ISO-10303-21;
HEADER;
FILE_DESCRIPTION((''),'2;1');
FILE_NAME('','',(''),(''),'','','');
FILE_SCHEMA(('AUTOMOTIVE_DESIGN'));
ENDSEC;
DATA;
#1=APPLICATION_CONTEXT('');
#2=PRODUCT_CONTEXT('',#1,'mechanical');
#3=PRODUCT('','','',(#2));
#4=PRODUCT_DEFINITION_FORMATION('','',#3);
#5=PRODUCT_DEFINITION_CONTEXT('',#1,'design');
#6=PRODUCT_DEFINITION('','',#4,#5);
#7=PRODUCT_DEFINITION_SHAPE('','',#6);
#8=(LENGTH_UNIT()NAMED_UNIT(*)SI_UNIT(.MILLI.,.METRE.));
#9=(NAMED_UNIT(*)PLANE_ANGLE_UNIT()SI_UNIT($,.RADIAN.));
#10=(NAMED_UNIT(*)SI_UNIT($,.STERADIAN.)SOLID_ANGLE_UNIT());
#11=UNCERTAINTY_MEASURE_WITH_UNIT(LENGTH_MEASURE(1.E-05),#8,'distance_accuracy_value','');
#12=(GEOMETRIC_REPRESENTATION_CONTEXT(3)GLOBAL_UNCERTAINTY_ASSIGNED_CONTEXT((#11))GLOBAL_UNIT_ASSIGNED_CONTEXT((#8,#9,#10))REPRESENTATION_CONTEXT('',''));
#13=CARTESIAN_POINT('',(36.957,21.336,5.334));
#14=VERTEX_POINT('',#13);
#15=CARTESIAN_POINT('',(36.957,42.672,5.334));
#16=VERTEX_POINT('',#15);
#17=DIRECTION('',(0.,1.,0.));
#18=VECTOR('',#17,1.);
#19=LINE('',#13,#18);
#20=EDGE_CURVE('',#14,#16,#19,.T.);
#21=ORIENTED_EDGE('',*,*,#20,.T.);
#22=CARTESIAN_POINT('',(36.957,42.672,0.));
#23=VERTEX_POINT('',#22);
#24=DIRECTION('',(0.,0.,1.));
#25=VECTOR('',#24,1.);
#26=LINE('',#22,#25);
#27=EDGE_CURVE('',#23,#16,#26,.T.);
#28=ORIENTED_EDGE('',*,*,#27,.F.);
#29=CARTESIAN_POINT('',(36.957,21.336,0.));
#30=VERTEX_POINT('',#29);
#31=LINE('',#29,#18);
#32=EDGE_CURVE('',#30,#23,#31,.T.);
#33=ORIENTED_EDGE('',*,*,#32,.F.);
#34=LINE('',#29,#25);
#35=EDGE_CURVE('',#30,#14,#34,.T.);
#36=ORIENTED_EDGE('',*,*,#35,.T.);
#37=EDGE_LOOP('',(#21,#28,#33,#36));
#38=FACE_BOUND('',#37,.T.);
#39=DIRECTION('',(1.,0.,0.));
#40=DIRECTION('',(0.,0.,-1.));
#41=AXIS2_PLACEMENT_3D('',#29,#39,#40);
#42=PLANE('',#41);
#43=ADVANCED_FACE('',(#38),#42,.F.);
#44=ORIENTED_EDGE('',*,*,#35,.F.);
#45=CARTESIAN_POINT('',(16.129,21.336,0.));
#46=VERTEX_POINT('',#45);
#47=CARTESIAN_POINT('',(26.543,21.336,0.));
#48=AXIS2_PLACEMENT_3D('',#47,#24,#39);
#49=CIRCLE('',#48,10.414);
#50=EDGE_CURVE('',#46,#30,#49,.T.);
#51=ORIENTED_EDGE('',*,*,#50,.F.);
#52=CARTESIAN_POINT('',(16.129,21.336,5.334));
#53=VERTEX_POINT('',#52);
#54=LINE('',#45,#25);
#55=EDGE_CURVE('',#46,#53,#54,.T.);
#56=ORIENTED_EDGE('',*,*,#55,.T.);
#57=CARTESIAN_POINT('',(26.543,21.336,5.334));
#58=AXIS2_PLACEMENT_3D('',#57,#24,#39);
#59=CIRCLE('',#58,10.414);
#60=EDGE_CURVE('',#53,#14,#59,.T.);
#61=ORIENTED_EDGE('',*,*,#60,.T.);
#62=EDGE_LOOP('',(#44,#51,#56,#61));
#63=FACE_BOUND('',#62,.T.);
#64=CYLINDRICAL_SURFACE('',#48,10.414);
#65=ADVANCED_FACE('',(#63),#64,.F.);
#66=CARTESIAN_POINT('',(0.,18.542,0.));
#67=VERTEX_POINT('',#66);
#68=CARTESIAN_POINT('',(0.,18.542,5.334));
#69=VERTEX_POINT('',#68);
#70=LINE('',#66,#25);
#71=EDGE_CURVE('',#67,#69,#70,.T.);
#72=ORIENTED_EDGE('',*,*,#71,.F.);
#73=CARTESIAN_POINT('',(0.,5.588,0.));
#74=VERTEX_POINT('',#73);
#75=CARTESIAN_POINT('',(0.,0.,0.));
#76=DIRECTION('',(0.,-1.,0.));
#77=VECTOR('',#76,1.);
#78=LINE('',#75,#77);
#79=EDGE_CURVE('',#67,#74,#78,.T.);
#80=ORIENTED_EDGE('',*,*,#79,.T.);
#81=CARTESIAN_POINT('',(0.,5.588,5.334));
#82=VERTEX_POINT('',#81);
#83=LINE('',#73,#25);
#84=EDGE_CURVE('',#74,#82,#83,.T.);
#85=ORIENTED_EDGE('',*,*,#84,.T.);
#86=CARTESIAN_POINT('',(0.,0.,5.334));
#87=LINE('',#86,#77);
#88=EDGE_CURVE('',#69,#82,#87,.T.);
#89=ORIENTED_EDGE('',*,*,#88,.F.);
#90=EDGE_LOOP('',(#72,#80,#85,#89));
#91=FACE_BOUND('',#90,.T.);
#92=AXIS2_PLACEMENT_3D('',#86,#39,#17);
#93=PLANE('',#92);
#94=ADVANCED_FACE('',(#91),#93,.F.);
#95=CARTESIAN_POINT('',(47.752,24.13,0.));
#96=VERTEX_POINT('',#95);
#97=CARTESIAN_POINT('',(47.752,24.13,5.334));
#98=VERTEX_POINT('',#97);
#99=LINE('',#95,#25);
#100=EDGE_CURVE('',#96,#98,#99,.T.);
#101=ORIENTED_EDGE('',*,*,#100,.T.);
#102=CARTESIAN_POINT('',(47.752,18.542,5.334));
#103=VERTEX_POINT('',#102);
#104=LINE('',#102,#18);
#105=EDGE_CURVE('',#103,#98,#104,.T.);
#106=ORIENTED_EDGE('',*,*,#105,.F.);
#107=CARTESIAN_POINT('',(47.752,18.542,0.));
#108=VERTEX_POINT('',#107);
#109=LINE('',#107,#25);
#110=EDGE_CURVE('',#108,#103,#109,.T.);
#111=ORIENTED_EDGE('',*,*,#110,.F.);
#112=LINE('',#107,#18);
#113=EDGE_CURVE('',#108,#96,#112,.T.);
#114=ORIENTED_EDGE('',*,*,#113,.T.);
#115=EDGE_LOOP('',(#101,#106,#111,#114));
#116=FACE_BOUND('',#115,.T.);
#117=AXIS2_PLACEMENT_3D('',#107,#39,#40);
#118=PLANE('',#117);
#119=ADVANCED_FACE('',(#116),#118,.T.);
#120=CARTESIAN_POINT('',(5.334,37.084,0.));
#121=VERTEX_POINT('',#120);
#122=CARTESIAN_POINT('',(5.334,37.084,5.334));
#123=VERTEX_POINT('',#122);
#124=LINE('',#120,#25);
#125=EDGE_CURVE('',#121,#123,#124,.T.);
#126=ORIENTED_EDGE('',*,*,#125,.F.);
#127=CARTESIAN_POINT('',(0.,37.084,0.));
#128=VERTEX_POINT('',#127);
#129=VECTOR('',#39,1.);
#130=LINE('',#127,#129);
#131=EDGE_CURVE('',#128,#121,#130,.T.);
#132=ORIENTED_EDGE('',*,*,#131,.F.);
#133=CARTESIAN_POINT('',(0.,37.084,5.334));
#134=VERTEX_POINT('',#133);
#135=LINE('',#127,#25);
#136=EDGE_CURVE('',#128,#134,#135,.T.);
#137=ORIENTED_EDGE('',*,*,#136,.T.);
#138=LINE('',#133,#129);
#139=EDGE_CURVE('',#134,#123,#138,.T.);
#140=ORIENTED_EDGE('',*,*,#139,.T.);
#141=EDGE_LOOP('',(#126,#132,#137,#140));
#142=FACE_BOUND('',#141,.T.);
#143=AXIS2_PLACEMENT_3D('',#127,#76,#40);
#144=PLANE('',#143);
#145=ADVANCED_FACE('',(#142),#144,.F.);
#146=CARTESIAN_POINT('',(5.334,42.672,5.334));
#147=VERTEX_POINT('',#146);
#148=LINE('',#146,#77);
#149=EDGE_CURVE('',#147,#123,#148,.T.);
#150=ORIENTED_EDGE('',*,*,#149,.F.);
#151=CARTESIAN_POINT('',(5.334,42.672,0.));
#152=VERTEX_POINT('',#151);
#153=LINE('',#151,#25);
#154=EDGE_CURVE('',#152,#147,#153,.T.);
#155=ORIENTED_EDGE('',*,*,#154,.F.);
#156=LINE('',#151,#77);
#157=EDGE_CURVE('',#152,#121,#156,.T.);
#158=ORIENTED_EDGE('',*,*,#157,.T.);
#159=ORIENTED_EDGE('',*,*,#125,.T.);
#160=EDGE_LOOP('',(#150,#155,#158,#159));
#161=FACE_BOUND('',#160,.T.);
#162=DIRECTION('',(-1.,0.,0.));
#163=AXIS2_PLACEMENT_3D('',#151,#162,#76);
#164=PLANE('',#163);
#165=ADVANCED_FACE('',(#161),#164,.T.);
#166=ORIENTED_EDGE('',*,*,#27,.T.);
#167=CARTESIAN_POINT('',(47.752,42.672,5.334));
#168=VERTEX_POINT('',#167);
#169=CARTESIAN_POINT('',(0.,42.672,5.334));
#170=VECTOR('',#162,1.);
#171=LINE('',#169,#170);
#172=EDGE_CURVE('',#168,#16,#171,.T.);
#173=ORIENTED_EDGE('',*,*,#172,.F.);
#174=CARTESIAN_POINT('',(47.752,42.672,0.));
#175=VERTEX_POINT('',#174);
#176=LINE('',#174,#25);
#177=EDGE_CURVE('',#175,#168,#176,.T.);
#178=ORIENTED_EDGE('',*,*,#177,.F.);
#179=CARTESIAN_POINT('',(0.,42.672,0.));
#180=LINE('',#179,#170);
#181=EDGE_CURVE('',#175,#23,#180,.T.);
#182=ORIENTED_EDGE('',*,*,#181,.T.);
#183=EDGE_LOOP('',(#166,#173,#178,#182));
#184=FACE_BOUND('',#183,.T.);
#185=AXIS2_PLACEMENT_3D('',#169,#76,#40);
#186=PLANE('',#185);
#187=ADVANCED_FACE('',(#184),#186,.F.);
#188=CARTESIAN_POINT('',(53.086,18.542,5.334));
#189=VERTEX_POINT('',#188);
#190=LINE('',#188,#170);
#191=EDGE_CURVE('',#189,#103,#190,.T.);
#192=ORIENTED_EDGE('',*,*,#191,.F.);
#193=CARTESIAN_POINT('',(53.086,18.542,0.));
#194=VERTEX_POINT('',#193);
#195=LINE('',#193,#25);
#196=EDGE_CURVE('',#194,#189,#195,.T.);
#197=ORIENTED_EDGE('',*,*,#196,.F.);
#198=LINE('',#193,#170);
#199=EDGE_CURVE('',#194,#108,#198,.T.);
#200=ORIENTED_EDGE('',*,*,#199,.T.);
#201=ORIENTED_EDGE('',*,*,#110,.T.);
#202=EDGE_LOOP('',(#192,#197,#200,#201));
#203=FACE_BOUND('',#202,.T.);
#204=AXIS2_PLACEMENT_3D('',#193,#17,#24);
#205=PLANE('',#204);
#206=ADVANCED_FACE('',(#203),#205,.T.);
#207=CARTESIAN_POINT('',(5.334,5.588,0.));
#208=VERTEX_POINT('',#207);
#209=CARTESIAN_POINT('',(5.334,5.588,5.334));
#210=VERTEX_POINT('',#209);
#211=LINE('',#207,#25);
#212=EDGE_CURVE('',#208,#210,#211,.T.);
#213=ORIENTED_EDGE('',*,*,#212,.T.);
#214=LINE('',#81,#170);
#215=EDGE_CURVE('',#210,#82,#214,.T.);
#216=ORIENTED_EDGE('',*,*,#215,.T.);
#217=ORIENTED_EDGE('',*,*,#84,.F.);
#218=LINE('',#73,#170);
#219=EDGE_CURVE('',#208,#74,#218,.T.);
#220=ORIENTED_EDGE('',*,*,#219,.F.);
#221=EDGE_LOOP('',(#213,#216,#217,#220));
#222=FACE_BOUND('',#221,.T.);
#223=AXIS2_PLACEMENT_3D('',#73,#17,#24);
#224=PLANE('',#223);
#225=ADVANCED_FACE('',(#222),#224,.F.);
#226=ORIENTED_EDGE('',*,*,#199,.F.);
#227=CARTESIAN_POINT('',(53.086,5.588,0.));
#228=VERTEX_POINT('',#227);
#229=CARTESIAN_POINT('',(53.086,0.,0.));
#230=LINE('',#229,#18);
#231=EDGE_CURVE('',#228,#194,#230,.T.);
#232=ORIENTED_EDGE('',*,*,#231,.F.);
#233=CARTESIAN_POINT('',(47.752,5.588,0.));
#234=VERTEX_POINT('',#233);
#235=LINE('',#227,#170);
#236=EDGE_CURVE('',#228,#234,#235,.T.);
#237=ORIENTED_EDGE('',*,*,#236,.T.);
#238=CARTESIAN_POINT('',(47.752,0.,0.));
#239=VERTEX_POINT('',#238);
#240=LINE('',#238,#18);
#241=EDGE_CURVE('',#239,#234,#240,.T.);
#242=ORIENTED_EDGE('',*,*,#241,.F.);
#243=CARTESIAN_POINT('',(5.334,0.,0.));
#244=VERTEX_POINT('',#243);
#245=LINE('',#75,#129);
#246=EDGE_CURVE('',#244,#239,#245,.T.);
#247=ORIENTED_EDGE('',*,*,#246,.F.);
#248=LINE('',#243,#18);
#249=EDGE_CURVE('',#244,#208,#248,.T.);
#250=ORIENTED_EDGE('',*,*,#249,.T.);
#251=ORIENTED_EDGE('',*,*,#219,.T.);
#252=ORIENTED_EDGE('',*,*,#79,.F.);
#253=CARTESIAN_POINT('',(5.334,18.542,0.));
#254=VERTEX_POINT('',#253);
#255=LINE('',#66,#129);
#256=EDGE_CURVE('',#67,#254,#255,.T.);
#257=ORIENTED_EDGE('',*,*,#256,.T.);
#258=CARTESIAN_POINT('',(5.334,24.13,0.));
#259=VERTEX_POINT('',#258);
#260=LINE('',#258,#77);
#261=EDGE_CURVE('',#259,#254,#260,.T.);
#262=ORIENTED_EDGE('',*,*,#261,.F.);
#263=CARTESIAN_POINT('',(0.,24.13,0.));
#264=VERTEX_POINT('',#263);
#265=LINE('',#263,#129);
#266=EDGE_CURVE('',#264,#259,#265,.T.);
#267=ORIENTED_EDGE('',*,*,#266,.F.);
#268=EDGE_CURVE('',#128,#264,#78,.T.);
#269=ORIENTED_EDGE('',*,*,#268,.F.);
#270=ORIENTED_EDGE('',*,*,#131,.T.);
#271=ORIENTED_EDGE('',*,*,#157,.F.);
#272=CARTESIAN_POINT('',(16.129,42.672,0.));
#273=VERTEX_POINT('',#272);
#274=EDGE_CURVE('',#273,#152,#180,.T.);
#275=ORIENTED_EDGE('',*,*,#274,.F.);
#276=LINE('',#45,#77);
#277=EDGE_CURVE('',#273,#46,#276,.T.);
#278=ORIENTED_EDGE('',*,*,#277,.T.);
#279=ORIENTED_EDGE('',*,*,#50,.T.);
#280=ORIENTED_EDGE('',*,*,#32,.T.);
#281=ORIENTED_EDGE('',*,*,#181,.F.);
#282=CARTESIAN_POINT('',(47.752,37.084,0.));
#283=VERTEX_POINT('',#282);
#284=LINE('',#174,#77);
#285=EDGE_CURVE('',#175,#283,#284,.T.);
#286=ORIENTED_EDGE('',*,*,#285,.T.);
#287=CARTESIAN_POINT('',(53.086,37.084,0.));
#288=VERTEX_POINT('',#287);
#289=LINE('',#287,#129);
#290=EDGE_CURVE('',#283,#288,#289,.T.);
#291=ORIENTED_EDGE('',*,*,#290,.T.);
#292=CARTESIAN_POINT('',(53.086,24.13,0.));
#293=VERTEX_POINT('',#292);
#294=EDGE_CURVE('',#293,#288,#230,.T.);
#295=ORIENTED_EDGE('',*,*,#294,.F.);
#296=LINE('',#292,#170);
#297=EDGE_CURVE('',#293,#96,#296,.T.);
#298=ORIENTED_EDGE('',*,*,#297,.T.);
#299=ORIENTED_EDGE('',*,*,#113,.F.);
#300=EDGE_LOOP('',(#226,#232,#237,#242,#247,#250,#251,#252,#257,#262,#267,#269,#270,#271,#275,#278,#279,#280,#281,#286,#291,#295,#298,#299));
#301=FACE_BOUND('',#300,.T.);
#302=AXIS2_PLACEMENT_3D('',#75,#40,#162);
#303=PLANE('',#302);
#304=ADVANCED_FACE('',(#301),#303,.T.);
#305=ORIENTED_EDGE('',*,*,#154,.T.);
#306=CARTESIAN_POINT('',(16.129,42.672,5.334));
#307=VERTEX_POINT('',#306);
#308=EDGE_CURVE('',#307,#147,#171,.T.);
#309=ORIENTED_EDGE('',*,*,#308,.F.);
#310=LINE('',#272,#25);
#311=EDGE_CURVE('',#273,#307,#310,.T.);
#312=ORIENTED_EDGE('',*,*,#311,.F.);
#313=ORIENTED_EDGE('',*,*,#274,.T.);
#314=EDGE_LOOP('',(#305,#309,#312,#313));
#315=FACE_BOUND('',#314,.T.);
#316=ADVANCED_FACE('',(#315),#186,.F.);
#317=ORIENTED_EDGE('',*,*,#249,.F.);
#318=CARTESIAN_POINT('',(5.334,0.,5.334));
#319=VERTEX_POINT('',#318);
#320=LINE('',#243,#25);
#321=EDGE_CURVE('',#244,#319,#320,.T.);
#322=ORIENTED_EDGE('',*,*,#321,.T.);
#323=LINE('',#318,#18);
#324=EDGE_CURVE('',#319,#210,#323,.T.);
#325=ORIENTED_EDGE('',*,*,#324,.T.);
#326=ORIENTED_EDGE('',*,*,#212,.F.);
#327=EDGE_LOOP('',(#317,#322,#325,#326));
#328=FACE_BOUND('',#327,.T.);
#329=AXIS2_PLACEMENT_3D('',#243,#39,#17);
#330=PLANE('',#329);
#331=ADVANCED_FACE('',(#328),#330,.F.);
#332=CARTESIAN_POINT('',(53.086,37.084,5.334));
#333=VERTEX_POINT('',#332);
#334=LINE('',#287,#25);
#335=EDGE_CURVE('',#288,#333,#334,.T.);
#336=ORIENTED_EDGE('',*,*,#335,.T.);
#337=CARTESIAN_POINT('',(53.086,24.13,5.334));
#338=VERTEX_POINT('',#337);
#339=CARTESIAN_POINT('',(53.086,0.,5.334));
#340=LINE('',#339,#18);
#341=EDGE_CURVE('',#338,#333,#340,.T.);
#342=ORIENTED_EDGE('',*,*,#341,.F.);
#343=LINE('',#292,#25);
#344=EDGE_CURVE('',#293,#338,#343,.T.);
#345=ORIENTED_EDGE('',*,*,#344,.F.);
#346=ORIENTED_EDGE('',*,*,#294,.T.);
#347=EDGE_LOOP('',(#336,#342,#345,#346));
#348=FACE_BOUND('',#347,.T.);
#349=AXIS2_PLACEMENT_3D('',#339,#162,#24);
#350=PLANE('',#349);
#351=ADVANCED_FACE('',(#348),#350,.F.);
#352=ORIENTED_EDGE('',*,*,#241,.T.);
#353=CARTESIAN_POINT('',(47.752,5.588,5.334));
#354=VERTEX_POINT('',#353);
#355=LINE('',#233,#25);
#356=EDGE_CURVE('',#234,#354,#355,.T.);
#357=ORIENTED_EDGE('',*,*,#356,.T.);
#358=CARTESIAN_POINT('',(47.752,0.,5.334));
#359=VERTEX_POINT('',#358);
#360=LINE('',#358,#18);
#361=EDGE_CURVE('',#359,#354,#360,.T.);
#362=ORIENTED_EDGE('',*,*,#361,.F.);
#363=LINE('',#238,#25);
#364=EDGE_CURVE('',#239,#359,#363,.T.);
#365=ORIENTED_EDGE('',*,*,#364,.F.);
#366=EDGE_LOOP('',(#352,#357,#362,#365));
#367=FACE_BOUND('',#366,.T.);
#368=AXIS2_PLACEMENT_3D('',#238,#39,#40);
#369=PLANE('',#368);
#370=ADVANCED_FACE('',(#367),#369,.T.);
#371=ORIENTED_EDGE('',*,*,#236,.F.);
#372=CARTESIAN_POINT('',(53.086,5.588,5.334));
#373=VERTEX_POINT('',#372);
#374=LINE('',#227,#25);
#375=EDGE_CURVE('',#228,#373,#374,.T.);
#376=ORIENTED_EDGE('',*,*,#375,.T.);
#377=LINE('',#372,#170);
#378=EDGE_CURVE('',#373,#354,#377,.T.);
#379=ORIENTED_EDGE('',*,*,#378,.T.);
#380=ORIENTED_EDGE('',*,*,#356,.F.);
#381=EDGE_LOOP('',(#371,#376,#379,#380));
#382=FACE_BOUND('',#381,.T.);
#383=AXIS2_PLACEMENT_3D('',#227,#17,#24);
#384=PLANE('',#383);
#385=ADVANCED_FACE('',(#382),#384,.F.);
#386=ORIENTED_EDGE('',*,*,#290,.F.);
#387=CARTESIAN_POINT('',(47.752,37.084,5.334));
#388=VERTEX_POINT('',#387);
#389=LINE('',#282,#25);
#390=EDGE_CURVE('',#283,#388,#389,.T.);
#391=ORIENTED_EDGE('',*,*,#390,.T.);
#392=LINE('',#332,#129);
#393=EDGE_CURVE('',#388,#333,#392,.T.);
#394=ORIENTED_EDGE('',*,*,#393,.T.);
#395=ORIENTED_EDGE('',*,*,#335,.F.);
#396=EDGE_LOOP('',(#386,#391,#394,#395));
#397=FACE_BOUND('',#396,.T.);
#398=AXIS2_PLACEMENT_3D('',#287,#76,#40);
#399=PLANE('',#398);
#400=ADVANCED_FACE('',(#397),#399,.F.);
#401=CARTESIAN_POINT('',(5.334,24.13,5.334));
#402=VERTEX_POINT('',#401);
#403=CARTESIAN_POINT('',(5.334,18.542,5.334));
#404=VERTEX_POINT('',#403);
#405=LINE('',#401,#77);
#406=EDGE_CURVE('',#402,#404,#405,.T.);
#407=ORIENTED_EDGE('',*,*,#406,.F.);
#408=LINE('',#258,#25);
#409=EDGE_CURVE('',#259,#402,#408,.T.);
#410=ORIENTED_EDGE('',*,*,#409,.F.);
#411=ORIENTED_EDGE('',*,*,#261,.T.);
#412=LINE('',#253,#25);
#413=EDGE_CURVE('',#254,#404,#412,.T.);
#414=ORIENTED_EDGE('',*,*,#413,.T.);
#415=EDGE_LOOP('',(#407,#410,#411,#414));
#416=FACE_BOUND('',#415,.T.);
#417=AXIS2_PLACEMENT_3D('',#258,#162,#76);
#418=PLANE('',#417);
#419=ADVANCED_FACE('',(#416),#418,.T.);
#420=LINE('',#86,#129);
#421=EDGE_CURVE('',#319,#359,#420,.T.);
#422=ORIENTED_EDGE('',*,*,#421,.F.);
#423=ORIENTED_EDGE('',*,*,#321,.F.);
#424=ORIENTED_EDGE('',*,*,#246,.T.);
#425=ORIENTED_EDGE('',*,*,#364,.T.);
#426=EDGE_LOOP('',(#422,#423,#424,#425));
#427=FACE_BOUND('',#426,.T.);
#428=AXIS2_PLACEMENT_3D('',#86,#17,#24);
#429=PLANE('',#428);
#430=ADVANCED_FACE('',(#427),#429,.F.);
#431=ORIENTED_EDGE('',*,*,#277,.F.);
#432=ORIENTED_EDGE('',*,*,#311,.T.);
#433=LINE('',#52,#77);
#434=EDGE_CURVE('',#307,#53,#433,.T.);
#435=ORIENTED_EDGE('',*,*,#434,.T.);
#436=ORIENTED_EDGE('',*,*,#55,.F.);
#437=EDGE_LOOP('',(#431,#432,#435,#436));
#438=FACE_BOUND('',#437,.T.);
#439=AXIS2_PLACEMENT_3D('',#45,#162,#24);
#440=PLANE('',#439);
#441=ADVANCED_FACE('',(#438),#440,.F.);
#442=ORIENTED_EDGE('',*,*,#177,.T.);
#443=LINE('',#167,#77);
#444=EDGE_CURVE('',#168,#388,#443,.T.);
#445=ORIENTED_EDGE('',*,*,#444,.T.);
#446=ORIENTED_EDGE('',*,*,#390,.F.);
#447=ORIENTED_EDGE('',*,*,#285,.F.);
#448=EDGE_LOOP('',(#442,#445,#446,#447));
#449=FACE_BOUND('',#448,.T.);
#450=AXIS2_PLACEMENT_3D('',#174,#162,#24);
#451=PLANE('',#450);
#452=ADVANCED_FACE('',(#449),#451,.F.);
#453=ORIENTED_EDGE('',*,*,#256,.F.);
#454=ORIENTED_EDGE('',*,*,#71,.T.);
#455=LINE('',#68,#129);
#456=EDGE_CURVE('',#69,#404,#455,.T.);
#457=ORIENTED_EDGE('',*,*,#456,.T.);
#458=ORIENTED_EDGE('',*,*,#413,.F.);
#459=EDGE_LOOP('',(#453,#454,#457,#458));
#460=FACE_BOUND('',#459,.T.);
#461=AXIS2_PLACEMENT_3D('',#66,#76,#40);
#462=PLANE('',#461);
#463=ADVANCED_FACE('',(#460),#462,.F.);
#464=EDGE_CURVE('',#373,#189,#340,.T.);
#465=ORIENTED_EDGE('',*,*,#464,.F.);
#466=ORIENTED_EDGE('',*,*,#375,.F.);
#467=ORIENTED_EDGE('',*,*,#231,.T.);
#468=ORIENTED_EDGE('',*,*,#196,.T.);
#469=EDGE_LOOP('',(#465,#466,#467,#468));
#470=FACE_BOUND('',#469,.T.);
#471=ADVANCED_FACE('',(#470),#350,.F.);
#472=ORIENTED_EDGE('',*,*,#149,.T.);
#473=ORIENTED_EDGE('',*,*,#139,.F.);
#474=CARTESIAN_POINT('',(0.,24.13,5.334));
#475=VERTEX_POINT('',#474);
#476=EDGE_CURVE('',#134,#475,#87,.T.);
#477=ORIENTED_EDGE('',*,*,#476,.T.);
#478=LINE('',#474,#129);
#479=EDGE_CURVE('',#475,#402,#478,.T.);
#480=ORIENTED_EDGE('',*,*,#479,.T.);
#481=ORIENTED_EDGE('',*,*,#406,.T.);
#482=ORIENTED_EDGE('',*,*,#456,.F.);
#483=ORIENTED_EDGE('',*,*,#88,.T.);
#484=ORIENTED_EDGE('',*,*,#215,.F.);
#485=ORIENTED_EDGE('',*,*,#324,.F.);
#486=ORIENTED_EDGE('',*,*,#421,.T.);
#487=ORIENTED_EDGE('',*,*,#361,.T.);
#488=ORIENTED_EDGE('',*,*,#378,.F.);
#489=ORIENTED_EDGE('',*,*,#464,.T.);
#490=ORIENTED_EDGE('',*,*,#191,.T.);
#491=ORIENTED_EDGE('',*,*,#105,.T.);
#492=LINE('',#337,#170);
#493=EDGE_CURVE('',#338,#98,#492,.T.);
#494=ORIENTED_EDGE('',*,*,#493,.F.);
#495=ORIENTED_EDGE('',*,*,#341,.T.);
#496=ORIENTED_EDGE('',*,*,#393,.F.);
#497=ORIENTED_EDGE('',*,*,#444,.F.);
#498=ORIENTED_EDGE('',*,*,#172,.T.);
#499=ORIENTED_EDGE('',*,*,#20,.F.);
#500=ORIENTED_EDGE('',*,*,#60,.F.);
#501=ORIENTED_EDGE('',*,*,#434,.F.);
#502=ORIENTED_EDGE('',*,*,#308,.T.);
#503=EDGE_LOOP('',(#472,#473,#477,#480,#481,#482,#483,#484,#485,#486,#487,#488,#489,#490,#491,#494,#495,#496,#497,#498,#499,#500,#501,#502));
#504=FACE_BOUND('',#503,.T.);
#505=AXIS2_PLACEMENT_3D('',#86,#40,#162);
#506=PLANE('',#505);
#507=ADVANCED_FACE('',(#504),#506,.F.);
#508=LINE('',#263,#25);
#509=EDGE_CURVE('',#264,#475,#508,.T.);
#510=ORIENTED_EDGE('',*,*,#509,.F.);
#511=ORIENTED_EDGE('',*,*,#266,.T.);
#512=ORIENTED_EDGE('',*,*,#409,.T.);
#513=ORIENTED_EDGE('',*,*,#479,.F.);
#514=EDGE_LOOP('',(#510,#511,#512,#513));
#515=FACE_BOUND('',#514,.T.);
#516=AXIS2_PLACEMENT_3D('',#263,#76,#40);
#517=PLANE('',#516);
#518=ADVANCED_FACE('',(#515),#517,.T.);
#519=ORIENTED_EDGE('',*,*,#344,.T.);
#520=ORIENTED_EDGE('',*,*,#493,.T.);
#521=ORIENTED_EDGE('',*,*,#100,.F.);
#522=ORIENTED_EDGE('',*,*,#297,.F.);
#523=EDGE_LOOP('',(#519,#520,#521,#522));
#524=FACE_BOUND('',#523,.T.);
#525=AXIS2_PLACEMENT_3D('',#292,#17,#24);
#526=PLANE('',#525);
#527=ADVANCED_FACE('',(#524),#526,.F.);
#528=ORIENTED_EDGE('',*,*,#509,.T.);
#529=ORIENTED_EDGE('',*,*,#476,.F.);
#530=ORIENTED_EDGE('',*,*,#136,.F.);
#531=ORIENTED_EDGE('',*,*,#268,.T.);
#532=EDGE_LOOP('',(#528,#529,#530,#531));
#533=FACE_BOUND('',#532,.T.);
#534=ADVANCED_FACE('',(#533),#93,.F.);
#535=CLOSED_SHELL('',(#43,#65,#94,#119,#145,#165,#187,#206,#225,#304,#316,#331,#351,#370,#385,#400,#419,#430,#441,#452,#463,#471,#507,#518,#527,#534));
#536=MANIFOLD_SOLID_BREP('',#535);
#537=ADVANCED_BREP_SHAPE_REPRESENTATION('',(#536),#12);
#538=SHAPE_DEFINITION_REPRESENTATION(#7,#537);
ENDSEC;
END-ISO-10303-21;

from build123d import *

# Parameters (mm, degrees)
SKETCH1_W           = 53.086
SKETCH1_H           = 42.672
BOSS_EXTRUDE1_DEPTH = 5.334
SKETCH2_W           = 5.334
SKETCH2_H           = 5.588
CUT_EXTRUDE1_DEPTH  = 6.334
SKETCH3_W           = 5.334
SKETCH3_H           = 5.588
CUT_EXTRUDE2_DEPTH  = 6.334
SKETCH4_W           = 5.334
SKETCH4_H           = 5.588
CUT_EXTRUDE3_DEPTH  = 6.334
SKETCH5_W           = 5.334
SKETCH5_H           = 5.588
CUT_EXTRUDE4_DEPTH  = 6.334
SKETCH6_W           = 5.334
SKETCH6_H           = 5.588
CUT_EXTRUDE5_DEPTH  = 6.334
CUT_EXTRUDE6_DEPTH  = 6.334


with BuildPart() as part:
    # Sketch1 → Boss-Extrude1 (new body)
    with BuildSketch(Plane.XY):
        with Locations((26.543, 21.336)):
            Rectangle(SKETCH1_W, SKETCH1_H)
    extrude(amount=BOSS_EXTRUDE1_DEPTH)

    # Sketch2 → Cut-Extrude1 (cut, through all)
    with BuildSketch(Plane.XY.offset(5.334)):
        with Locations((2.667, 39.878)):
            Rectangle(SKETCH2_W, SKETCH2_H)
    extrude(amount=-CUT_EXTRUDE1_DEPTH, mode=Mode.SUBTRACT)

    # Sketch3 → Cut-Extrude2 (cut, through all)
    with BuildSketch(Plane.XY.offset(5.334)):
        with Locations((2.667, 21.336)):
            Rectangle(SKETCH3_W, SKETCH3_H)
    extrude(amount=-CUT_EXTRUDE2_DEPTH, mode=Mode.SUBTRACT)

    # Sketch4 → Cut-Extrude3 (cut, through all)
    with BuildSketch(Plane.XY.offset(5.334)):
        with Locations((2.667, 2.794)):
            Rectangle(SKETCH4_W, SKETCH4_H)
    extrude(amount=-CUT_EXTRUDE3_DEPTH, mode=Mode.SUBTRACT)

    # Sketch5 → Cut-Extrude4 (cut, through all)
    with BuildSketch(Plane.XY.offset(5.334)):
        with Locations((50.419, 39.878)):
            Rectangle(SKETCH5_W, SKETCH5_H)
    extrude(amount=-CUT_EXTRUDE4_DEPTH, mode=Mode.SUBTRACT)

    # Sketch6 → Cut-Extrude5 (cut, through all)
    with BuildSketch(Plane.XY.offset(5.334)):
        with Locations((50.419, 21.336)):
            Rectangle(SKETCH6_W, SKETCH6_H)
        with Locations((50.419, 2.794)):
            Rectangle(SKETCH6_W, SKETCH6_H)
    extrude(amount=-CUT_EXTRUDE5_DEPTH, mode=Mode.SUBTRACT)

    # Sketch11 → Cut-Extrude6 (cut, through all)
    with BuildSketch(Plane.XY.offset(5.334)):
        with BuildLine():
            Line((16.129, 21.336), (16.129, 42.672))
            Line((16.129, 42.672), (36.957, 42.672))
            Line((36.957, 42.672), (36.957, 21.336))
            ThreePointArc((36.957, 21.336), (26.543, 10.922), (16.129, 21.336))
        make_face()
    extrude(amount=-CUT_EXTRUDE6_DEPTH, mode=Mode.SUBTRACT)


solid = part.part
